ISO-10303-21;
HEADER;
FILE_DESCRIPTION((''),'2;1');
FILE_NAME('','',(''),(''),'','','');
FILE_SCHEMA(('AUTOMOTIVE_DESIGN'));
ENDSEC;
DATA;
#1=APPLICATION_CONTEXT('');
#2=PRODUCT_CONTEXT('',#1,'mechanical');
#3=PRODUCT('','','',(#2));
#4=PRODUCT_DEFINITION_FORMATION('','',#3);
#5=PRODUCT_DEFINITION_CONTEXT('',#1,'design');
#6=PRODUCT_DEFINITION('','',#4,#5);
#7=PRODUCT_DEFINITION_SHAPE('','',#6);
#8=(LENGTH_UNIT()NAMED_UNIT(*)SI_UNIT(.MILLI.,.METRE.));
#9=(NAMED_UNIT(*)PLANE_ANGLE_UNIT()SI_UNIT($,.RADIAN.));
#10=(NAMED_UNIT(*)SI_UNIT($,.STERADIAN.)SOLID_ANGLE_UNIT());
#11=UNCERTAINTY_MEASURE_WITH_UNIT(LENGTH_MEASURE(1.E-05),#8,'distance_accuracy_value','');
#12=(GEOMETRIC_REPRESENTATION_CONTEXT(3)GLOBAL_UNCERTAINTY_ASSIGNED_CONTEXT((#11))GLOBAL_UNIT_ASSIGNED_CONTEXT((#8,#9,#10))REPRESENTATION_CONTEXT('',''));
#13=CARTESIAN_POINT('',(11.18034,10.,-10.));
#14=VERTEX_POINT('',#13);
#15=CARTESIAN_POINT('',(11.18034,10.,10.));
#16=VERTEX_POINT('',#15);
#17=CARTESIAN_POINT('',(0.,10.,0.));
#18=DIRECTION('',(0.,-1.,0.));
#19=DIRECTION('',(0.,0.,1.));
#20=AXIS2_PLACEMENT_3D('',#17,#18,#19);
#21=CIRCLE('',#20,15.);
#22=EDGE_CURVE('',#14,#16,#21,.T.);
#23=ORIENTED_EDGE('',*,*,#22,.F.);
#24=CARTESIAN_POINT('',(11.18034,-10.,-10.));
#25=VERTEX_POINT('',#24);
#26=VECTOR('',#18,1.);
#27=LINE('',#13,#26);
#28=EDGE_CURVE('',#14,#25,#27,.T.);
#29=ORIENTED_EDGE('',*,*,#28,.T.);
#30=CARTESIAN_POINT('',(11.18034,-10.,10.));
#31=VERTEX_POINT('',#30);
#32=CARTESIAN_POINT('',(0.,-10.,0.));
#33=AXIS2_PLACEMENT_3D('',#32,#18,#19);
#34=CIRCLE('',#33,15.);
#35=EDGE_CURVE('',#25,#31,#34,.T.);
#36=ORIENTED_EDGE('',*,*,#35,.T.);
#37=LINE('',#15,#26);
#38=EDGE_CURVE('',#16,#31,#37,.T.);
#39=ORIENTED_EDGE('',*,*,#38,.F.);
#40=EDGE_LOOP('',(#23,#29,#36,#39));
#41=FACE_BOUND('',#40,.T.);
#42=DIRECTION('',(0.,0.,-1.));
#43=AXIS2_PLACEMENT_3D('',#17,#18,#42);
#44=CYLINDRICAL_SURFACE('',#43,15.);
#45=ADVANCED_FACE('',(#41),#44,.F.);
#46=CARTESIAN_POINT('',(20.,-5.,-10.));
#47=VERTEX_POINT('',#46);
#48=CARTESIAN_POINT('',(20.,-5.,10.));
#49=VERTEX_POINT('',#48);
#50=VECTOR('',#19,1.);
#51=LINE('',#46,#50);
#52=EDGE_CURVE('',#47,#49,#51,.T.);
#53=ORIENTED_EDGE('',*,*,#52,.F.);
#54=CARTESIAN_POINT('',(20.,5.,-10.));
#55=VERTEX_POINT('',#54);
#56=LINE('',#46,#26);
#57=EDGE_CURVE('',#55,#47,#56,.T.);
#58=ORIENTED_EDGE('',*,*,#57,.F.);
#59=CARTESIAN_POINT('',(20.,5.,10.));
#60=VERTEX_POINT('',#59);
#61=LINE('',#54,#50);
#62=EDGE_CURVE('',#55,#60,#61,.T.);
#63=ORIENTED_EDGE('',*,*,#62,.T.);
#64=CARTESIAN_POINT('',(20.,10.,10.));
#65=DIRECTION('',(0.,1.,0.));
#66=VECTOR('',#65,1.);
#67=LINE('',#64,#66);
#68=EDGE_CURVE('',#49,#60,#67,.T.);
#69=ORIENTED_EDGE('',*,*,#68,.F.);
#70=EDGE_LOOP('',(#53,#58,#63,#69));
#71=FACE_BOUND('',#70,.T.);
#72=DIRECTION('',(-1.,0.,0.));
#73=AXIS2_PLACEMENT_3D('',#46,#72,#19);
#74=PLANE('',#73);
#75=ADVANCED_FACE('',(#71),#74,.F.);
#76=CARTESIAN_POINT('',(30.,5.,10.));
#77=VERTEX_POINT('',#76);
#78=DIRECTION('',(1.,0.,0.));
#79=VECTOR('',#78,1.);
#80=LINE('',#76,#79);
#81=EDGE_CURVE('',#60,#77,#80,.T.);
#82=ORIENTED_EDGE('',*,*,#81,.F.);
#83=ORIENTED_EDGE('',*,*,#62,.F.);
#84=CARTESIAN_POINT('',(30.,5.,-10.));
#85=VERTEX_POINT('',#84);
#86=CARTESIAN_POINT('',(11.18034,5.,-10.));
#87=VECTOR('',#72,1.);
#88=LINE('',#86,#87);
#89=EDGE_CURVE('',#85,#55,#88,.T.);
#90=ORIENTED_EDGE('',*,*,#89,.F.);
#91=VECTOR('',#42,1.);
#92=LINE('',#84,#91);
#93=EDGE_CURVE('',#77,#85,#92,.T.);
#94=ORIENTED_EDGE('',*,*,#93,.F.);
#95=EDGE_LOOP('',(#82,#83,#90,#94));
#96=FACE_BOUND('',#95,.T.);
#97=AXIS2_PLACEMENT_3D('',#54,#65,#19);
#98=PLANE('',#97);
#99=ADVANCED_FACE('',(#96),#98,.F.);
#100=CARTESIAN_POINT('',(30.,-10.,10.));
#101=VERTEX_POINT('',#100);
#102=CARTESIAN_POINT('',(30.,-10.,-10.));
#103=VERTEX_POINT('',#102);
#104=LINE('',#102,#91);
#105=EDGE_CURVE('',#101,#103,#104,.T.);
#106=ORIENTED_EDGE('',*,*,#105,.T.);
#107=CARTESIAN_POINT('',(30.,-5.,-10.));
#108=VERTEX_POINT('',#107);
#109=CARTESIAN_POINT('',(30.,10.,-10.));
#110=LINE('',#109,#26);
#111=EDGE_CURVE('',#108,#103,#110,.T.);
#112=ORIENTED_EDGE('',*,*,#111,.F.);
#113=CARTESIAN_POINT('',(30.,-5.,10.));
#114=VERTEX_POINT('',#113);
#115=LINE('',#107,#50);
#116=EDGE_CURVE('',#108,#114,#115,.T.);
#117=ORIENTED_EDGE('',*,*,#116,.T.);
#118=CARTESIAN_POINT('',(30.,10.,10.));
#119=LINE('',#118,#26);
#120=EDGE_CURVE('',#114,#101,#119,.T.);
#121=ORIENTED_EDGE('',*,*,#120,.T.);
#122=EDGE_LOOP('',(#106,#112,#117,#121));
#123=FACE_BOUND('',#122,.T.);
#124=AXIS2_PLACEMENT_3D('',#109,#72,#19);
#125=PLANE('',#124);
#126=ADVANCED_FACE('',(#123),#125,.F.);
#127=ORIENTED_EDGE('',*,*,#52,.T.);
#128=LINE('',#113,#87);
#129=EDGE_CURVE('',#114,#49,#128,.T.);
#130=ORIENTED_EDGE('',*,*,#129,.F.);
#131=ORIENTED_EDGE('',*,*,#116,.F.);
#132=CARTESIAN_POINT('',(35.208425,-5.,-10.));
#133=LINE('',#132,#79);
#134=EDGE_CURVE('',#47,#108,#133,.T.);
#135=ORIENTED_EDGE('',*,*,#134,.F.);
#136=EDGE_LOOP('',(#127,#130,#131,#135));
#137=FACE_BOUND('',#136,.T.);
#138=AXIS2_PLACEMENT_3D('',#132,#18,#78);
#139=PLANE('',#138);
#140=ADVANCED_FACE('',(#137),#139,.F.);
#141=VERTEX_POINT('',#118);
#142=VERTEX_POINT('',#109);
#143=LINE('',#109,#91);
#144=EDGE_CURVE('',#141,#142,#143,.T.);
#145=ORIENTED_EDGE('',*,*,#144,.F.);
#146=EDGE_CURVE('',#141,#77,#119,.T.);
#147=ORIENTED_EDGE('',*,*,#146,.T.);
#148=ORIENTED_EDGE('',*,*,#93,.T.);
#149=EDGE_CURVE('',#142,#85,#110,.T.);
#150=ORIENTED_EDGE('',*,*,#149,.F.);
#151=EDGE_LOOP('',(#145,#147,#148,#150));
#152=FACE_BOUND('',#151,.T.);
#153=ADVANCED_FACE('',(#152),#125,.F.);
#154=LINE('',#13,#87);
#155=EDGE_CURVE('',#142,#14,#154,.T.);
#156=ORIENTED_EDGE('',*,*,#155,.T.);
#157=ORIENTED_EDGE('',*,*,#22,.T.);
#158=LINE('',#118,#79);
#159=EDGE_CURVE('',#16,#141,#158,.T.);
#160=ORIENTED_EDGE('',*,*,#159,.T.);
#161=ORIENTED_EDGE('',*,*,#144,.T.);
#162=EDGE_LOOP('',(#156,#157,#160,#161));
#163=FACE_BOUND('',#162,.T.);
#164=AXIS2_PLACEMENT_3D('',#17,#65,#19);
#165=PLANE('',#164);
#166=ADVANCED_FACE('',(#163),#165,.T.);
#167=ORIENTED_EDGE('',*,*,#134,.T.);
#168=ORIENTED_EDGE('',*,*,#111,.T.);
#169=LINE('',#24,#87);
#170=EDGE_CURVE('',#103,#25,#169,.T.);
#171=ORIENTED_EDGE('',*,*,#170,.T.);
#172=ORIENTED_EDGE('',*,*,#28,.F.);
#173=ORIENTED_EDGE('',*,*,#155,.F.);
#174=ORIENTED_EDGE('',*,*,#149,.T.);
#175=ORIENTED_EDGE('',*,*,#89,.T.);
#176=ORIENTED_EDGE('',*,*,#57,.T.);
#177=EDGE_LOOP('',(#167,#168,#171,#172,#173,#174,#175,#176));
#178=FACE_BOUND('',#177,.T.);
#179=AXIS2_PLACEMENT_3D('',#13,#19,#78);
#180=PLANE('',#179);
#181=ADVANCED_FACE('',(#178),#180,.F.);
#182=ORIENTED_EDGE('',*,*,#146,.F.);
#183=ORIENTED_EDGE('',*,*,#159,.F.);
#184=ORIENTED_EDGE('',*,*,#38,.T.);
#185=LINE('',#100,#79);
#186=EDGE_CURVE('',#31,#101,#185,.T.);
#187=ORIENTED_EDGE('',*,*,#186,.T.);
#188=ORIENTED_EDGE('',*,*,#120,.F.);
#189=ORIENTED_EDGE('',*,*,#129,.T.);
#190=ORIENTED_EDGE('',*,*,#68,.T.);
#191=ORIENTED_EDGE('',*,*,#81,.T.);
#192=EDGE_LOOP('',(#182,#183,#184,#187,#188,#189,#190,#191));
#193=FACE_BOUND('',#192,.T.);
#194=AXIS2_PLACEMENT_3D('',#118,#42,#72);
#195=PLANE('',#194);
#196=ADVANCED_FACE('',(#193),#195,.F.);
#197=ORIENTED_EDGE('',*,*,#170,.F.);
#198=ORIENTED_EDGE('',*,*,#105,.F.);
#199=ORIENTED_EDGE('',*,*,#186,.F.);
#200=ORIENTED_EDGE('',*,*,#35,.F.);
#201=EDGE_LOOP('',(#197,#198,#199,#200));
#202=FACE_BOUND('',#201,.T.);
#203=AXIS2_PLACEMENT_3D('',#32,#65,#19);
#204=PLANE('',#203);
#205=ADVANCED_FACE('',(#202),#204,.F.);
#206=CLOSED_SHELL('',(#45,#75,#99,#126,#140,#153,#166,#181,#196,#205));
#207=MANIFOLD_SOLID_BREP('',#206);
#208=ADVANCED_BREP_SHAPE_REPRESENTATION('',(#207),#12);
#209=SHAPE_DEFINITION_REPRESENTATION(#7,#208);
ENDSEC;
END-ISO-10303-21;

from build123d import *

# Parameters (mm, degrees)
EXTRUDE_1_DEPTH          = 10
CUT_EXTRUDE_1_DEPTH      = 38.416573868
CUT_EXTRUDE_1_DEPTH_BACK = 38.416573868
SKETCH_3_W               = 15.208425039
SKETCH_3_H               = 10


with BuildPart() as part:
    # 草图2 → 凸台-拉伸1 (new, symmetric)
    with BuildSketch(Plane(origin=(0, 0, 0), x_dir=(1, 0, 0), z_dir=(0, 1, 0))):
        with BuildLine():
            Line((11.180339887, 10), (30, 10))
            Line((30, 10), (30, -10))
            Line((30, -10), (11.180339887, -10))
            ThreePointArc((11.180339887, -10), (15, 0), (11.180339887, 10))
        make_face()
    extrude(amount=EXTRUDE_1_DEPTH, both=True)

    # 草图3 → 切除-拉伸1 (cut, two sides: drawn at the far end of the back side and taken through both)
    with BuildSketch(Plane.XY.offset(10).offset(-CUT_EXTRUDE_1_DEPTH_BACK)):
        with Locations((27.60421252, 0)):
            Rectangle(SKETCH_3_W, SKETCH_3_H)
    extrude(amount=CUT_EXTRUDE_1_DEPTH + CUT_EXTRUDE_1_DEPTH_BACK, mode=Mode.SUBTRACT)


solid = part.part
